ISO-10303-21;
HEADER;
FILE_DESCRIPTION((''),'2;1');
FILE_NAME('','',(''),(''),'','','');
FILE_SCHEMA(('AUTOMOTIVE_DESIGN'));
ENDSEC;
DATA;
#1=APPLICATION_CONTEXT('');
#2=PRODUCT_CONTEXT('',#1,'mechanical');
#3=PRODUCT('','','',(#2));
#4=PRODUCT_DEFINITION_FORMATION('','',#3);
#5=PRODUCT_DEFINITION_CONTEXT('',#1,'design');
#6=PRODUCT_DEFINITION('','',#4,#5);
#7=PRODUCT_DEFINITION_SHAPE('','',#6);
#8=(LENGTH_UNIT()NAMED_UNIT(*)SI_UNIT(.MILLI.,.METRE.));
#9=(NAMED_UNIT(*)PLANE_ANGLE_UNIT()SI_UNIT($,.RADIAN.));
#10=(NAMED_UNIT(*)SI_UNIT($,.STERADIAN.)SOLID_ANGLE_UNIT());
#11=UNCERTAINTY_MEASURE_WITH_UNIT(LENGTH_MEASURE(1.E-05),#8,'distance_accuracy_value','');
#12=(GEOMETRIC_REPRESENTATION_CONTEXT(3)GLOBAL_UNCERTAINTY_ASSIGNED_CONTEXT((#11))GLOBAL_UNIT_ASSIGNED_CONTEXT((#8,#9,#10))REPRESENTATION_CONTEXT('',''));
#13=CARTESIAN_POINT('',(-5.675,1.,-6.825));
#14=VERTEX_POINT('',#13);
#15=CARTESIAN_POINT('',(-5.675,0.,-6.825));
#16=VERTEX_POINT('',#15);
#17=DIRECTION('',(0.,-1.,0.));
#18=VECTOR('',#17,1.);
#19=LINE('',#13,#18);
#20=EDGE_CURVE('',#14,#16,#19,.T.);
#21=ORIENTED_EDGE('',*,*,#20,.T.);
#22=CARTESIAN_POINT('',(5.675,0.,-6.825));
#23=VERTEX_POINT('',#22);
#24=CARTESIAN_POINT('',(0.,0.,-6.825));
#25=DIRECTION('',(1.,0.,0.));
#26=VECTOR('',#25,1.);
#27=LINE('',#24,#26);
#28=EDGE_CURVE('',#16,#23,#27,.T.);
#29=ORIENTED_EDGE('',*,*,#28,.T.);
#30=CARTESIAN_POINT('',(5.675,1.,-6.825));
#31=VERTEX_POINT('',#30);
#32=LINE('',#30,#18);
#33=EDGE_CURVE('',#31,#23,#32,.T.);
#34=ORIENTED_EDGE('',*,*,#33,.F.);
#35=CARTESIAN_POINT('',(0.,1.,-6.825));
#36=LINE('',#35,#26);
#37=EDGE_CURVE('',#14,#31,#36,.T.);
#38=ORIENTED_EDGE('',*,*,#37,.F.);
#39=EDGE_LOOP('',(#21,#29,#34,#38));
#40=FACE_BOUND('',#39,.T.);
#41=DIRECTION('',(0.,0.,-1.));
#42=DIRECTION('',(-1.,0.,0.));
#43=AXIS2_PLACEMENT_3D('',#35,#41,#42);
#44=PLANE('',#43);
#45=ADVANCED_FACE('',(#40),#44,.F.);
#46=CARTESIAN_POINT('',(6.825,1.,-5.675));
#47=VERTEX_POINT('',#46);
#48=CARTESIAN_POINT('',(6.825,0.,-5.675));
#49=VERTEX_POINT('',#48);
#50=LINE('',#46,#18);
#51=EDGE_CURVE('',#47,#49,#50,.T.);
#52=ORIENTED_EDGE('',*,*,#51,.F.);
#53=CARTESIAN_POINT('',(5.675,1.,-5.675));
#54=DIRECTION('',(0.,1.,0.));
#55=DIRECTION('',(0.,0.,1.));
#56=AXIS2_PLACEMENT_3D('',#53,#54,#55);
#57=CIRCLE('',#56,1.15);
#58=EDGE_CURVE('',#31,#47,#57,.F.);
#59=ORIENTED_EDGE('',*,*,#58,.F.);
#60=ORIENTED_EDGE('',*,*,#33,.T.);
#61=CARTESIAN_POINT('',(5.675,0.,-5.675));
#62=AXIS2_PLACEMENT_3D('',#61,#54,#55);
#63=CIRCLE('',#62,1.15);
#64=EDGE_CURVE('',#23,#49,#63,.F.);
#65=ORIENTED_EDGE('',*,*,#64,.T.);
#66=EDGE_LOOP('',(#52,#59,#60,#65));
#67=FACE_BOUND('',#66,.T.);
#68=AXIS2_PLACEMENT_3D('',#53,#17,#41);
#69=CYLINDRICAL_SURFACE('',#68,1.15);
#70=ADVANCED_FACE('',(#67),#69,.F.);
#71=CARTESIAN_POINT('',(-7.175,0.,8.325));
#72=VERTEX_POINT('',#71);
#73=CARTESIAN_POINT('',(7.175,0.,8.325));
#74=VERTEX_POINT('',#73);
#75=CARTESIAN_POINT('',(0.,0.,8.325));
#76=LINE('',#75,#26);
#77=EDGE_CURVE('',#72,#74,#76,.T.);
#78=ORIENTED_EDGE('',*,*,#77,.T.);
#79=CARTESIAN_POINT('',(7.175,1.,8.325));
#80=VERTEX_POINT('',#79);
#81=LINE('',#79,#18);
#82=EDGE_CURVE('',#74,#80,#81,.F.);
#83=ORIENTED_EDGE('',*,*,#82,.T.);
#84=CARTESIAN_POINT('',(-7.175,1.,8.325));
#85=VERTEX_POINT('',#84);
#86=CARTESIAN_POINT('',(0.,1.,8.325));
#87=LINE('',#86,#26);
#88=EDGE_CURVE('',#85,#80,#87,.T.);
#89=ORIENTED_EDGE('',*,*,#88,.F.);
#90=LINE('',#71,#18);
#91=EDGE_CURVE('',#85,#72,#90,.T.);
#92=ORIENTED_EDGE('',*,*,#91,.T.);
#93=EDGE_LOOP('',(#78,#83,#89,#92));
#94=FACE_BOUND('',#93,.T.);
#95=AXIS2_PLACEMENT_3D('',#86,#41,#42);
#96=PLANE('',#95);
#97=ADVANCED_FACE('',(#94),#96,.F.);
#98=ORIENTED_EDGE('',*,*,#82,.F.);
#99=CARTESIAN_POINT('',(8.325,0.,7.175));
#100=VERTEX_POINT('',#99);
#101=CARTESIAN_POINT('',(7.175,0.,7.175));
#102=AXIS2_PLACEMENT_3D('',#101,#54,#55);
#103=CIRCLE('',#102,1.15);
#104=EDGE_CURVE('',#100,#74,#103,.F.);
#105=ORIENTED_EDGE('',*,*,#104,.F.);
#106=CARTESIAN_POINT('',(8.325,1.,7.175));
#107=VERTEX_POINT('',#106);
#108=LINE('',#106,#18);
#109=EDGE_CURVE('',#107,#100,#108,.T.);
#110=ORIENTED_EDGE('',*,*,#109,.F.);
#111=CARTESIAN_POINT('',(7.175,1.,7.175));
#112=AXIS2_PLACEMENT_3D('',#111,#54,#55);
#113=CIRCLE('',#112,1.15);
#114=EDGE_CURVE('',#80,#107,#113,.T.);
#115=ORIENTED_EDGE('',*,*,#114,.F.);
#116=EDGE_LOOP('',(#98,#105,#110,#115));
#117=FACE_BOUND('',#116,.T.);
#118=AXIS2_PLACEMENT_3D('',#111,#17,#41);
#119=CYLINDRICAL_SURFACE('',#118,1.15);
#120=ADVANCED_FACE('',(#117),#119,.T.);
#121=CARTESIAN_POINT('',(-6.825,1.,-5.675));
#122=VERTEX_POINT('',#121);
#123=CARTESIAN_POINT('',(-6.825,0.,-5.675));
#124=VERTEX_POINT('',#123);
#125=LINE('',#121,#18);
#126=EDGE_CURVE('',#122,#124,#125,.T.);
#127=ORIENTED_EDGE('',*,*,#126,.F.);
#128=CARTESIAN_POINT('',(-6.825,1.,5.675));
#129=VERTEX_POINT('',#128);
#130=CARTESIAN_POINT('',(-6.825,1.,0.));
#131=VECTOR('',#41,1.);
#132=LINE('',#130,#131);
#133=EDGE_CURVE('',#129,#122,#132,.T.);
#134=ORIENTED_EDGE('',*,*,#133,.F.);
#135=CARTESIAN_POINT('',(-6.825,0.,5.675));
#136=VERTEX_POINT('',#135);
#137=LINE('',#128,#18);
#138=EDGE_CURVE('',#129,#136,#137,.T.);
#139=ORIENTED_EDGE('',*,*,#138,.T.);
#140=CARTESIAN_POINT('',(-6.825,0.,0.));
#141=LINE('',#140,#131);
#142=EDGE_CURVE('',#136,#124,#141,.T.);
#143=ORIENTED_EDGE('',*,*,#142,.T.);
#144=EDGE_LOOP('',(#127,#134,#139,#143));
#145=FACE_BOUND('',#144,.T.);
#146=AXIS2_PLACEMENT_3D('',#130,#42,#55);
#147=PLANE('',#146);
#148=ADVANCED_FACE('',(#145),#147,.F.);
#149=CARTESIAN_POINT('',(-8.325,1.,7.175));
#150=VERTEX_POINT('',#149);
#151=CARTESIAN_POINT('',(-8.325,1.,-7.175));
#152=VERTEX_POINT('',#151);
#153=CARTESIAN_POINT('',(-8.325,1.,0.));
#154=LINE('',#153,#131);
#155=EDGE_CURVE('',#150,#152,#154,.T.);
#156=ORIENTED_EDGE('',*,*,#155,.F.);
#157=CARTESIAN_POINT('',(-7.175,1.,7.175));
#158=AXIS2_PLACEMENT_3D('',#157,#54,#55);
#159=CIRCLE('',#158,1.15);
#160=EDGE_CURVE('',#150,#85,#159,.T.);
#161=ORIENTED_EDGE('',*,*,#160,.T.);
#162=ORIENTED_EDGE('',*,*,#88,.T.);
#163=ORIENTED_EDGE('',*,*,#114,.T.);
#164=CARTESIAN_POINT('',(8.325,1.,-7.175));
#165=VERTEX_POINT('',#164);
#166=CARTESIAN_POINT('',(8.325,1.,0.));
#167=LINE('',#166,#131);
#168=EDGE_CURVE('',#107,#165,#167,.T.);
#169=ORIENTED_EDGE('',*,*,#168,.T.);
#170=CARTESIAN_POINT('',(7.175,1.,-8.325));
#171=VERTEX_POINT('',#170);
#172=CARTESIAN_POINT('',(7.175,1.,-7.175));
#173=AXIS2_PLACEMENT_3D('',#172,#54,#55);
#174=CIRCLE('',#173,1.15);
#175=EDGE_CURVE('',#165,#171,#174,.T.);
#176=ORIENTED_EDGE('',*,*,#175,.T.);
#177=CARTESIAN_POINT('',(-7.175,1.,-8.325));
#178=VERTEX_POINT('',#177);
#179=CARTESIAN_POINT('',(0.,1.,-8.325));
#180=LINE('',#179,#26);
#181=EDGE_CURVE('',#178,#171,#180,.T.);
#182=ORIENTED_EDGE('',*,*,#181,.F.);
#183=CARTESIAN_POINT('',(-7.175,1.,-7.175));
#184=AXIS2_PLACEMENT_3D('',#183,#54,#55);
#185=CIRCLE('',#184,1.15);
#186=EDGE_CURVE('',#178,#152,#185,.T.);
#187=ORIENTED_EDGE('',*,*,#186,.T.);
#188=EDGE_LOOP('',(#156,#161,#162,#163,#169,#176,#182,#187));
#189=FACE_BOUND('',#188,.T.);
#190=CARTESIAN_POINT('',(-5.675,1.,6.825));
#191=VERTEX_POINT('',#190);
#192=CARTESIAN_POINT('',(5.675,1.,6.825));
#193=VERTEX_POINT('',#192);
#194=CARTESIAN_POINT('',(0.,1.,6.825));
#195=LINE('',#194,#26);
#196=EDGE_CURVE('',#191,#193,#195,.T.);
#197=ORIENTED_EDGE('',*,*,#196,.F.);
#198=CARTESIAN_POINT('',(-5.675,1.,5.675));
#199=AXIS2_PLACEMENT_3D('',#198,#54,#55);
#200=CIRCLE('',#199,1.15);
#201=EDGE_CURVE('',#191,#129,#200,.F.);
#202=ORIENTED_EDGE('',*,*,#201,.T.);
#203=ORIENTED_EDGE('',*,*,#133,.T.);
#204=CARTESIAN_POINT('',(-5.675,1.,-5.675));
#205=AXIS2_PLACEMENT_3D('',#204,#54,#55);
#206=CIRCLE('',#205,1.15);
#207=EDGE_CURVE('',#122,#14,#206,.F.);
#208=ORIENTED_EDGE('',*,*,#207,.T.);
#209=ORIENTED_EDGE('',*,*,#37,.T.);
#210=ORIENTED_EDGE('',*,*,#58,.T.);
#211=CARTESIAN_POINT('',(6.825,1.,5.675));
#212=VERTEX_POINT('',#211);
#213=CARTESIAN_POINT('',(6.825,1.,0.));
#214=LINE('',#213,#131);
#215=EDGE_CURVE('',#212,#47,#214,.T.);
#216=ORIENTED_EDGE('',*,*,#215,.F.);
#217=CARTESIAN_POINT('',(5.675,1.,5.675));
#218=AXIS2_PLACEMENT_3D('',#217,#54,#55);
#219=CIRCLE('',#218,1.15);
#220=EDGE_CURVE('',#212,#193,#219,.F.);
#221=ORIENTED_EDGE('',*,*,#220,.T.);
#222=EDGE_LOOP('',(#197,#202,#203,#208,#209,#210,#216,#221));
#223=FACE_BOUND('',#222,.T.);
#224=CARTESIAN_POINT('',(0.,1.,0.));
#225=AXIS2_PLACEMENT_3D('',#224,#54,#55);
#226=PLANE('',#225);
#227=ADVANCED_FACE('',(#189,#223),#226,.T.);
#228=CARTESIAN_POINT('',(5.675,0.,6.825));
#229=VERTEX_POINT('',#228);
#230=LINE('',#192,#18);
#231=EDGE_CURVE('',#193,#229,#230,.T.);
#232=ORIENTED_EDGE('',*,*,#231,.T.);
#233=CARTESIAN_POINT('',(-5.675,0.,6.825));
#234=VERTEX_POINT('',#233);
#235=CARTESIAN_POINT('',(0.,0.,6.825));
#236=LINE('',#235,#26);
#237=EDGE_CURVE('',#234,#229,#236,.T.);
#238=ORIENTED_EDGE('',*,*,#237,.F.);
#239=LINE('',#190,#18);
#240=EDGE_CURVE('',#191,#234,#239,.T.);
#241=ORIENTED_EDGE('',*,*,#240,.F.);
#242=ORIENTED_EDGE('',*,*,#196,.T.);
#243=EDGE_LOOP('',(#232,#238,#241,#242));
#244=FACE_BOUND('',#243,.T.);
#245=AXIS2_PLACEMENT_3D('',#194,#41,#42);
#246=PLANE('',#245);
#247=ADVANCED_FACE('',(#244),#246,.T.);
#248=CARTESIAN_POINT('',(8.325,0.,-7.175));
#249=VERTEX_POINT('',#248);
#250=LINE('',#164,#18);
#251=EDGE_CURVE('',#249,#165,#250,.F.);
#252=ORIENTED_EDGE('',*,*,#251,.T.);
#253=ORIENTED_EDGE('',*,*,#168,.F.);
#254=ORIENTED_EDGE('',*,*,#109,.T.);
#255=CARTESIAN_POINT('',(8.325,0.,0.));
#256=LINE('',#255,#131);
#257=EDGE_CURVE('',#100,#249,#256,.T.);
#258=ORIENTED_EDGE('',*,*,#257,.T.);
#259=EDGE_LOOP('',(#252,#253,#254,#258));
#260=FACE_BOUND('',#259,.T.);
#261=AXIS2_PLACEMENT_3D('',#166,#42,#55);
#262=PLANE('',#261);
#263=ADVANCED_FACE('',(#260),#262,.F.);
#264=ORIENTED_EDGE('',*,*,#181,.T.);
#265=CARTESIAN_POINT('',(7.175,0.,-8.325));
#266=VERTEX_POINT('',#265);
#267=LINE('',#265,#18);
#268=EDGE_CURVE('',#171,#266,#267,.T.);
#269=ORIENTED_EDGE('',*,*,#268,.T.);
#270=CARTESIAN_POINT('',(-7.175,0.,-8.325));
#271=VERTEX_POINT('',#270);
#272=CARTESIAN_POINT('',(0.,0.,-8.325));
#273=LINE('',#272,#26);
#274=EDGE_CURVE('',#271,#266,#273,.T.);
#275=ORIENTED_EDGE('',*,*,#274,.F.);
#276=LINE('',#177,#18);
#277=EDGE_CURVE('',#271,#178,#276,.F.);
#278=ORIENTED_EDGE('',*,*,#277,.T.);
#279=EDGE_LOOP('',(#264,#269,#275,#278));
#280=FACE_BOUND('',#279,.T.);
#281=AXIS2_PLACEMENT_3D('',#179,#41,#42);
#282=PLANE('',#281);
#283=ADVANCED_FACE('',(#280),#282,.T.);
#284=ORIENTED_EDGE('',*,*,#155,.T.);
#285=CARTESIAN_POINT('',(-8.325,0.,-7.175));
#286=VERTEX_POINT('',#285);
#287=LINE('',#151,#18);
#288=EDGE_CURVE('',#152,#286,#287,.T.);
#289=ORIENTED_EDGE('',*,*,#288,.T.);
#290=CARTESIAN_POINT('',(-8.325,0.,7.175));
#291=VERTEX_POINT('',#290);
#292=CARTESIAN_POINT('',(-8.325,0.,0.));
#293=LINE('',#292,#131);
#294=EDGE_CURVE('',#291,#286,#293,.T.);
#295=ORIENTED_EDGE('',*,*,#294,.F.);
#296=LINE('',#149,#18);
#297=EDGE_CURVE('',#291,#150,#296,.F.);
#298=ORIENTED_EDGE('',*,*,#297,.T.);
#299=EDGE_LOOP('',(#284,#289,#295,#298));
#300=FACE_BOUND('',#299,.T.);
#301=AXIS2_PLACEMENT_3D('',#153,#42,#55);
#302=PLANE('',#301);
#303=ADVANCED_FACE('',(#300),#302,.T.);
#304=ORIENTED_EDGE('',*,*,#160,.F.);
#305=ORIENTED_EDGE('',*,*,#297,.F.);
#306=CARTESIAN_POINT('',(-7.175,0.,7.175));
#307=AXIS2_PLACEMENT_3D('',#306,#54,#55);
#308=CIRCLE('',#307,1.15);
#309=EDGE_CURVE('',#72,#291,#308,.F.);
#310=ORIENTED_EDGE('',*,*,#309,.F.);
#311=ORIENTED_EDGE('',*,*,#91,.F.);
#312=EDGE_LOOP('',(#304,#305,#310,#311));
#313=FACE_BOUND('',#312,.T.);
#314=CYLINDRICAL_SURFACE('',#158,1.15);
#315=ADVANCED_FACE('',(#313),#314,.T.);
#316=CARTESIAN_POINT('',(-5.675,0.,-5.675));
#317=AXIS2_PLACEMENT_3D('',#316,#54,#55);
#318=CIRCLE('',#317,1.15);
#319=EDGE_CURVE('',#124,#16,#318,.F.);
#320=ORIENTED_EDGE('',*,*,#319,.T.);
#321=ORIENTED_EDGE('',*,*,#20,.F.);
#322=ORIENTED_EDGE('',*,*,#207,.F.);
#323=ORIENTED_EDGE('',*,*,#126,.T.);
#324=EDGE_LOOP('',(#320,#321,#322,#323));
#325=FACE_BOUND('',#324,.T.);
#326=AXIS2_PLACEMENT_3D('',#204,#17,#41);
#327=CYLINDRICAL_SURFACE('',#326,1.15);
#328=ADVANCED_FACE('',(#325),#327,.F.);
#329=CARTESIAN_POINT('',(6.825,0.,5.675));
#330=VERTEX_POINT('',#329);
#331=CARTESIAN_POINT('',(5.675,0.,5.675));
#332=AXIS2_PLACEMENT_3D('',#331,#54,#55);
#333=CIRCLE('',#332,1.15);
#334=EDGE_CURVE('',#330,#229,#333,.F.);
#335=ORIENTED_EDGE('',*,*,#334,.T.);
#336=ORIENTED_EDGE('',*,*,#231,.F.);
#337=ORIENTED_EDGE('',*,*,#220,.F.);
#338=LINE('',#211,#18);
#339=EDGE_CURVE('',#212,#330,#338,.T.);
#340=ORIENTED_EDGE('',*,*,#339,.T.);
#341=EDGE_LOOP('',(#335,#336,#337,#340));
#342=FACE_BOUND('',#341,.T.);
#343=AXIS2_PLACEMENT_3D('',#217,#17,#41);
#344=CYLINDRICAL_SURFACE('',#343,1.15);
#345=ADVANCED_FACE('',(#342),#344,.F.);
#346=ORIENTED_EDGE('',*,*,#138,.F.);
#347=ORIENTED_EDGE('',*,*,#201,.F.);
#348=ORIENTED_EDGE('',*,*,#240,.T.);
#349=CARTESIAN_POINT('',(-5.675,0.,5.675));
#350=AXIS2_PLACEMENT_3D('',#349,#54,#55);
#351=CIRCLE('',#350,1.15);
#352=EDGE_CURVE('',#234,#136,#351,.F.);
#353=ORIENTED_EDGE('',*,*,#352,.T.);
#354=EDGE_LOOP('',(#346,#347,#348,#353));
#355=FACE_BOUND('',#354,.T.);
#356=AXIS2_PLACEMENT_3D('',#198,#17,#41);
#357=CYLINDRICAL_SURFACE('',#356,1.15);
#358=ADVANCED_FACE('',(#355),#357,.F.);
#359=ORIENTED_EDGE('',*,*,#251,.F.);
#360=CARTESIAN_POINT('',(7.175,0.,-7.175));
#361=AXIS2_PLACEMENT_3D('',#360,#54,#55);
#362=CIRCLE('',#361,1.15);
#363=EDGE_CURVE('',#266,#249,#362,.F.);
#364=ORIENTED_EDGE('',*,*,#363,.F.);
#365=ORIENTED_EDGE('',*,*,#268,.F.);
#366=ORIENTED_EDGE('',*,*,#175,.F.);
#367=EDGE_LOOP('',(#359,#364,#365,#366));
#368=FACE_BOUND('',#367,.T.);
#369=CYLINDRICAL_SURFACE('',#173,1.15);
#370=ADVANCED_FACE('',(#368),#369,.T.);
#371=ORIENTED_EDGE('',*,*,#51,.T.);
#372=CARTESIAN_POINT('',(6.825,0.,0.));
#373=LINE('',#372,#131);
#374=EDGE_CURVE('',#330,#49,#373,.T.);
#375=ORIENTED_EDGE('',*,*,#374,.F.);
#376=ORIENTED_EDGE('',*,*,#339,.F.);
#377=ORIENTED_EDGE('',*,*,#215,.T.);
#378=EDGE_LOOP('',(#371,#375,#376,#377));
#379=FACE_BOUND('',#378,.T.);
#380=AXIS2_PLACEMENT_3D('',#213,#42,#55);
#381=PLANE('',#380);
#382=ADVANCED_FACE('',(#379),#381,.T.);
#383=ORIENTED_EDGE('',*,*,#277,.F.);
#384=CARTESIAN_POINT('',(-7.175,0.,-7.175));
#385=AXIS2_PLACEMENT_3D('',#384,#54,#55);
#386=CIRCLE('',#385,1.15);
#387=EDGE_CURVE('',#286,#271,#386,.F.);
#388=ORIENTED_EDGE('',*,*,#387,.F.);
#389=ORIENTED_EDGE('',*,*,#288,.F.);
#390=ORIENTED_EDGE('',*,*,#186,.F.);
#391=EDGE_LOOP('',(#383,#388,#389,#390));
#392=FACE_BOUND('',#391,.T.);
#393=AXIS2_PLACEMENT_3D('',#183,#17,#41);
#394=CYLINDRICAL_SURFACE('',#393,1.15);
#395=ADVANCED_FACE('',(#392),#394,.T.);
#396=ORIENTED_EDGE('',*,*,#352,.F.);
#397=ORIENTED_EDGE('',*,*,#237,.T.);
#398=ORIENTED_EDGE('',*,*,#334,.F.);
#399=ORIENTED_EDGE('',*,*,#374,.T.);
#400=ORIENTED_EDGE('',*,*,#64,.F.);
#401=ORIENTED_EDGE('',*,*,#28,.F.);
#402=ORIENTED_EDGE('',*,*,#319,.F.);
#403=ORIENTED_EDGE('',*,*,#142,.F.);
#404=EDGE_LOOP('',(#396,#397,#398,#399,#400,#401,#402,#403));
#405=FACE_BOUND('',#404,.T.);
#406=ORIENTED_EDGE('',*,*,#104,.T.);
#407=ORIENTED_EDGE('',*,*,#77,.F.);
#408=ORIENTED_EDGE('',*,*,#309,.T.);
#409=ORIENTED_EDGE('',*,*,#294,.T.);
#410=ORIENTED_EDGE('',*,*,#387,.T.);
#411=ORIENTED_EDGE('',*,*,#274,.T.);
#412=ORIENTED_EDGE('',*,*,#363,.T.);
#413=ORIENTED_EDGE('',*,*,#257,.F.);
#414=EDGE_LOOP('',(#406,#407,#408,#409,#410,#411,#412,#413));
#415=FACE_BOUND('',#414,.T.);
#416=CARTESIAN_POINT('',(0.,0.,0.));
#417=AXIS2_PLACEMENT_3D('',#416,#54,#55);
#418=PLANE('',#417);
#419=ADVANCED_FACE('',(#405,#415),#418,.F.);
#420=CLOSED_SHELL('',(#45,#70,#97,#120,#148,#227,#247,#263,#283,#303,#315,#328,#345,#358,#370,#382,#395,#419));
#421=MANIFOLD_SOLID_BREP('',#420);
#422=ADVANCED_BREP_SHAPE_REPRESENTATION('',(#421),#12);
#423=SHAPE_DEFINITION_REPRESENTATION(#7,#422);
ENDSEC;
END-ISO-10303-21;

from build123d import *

# Parameters (mm, degrees)
SKETCH1_W           = 16.65
SKETCH1_H           = 16.65
BOSS_EXTRUDE1_DEPTH = 1
FILLET1_R           = 1.15


with BuildPart() as part:
    # Sketch1 → Boss-Extrude1 (new body)
    with BuildSketch(Plane(origin=(0, 0, 0), x_dir=(1, 0, 0), z_dir=(0, 1, 0))):
        Rectangle(SKETCH1_W, SKETCH1_H)
        with BuildLine():
            Line((5.675, -6.825), (-5.675, -6.825))
            ThreePointArc((-5.675, -6.825), (-6.488172798, -6.488172798), (-6.825, -5.675))
            Line((-6.825, -5.675), (-6.825, 5.675))
            ThreePointArc((-6.825, 5.675), (-6.488172798, 6.488172798), (-5.675, 6.825))
            Line((-5.675, 6.825), (5.675, 6.825))
            ThreePointArc((5.675, 6.825), (6.488172798, 6.488172798), (6.825, 5.675))
            Line((6.825, 5.675), (6.825, -5.675))
            ThreePointArc((6.825, -5.675), (6.488172798, -6.488172798), (5.675, -6.825))
        make_face(mode=Mode.SUBTRACT)
    extrude(amount=BOSS_EXTRUDE1_DEPTH)

    # Fillet1
    fillet1_edges = [part.edges().sort_by_distance(p)[0] for p in [
        (-8.325, 0.5, -8.325),
        (-8.325, 0.5, 8.325),
        (8.325, 0.5, 8.325),
        (8.325, 0.5, -8.325),
    ]]
    fillet(fillet1_edges, radius=FILLET1_R)


solid = part.part
